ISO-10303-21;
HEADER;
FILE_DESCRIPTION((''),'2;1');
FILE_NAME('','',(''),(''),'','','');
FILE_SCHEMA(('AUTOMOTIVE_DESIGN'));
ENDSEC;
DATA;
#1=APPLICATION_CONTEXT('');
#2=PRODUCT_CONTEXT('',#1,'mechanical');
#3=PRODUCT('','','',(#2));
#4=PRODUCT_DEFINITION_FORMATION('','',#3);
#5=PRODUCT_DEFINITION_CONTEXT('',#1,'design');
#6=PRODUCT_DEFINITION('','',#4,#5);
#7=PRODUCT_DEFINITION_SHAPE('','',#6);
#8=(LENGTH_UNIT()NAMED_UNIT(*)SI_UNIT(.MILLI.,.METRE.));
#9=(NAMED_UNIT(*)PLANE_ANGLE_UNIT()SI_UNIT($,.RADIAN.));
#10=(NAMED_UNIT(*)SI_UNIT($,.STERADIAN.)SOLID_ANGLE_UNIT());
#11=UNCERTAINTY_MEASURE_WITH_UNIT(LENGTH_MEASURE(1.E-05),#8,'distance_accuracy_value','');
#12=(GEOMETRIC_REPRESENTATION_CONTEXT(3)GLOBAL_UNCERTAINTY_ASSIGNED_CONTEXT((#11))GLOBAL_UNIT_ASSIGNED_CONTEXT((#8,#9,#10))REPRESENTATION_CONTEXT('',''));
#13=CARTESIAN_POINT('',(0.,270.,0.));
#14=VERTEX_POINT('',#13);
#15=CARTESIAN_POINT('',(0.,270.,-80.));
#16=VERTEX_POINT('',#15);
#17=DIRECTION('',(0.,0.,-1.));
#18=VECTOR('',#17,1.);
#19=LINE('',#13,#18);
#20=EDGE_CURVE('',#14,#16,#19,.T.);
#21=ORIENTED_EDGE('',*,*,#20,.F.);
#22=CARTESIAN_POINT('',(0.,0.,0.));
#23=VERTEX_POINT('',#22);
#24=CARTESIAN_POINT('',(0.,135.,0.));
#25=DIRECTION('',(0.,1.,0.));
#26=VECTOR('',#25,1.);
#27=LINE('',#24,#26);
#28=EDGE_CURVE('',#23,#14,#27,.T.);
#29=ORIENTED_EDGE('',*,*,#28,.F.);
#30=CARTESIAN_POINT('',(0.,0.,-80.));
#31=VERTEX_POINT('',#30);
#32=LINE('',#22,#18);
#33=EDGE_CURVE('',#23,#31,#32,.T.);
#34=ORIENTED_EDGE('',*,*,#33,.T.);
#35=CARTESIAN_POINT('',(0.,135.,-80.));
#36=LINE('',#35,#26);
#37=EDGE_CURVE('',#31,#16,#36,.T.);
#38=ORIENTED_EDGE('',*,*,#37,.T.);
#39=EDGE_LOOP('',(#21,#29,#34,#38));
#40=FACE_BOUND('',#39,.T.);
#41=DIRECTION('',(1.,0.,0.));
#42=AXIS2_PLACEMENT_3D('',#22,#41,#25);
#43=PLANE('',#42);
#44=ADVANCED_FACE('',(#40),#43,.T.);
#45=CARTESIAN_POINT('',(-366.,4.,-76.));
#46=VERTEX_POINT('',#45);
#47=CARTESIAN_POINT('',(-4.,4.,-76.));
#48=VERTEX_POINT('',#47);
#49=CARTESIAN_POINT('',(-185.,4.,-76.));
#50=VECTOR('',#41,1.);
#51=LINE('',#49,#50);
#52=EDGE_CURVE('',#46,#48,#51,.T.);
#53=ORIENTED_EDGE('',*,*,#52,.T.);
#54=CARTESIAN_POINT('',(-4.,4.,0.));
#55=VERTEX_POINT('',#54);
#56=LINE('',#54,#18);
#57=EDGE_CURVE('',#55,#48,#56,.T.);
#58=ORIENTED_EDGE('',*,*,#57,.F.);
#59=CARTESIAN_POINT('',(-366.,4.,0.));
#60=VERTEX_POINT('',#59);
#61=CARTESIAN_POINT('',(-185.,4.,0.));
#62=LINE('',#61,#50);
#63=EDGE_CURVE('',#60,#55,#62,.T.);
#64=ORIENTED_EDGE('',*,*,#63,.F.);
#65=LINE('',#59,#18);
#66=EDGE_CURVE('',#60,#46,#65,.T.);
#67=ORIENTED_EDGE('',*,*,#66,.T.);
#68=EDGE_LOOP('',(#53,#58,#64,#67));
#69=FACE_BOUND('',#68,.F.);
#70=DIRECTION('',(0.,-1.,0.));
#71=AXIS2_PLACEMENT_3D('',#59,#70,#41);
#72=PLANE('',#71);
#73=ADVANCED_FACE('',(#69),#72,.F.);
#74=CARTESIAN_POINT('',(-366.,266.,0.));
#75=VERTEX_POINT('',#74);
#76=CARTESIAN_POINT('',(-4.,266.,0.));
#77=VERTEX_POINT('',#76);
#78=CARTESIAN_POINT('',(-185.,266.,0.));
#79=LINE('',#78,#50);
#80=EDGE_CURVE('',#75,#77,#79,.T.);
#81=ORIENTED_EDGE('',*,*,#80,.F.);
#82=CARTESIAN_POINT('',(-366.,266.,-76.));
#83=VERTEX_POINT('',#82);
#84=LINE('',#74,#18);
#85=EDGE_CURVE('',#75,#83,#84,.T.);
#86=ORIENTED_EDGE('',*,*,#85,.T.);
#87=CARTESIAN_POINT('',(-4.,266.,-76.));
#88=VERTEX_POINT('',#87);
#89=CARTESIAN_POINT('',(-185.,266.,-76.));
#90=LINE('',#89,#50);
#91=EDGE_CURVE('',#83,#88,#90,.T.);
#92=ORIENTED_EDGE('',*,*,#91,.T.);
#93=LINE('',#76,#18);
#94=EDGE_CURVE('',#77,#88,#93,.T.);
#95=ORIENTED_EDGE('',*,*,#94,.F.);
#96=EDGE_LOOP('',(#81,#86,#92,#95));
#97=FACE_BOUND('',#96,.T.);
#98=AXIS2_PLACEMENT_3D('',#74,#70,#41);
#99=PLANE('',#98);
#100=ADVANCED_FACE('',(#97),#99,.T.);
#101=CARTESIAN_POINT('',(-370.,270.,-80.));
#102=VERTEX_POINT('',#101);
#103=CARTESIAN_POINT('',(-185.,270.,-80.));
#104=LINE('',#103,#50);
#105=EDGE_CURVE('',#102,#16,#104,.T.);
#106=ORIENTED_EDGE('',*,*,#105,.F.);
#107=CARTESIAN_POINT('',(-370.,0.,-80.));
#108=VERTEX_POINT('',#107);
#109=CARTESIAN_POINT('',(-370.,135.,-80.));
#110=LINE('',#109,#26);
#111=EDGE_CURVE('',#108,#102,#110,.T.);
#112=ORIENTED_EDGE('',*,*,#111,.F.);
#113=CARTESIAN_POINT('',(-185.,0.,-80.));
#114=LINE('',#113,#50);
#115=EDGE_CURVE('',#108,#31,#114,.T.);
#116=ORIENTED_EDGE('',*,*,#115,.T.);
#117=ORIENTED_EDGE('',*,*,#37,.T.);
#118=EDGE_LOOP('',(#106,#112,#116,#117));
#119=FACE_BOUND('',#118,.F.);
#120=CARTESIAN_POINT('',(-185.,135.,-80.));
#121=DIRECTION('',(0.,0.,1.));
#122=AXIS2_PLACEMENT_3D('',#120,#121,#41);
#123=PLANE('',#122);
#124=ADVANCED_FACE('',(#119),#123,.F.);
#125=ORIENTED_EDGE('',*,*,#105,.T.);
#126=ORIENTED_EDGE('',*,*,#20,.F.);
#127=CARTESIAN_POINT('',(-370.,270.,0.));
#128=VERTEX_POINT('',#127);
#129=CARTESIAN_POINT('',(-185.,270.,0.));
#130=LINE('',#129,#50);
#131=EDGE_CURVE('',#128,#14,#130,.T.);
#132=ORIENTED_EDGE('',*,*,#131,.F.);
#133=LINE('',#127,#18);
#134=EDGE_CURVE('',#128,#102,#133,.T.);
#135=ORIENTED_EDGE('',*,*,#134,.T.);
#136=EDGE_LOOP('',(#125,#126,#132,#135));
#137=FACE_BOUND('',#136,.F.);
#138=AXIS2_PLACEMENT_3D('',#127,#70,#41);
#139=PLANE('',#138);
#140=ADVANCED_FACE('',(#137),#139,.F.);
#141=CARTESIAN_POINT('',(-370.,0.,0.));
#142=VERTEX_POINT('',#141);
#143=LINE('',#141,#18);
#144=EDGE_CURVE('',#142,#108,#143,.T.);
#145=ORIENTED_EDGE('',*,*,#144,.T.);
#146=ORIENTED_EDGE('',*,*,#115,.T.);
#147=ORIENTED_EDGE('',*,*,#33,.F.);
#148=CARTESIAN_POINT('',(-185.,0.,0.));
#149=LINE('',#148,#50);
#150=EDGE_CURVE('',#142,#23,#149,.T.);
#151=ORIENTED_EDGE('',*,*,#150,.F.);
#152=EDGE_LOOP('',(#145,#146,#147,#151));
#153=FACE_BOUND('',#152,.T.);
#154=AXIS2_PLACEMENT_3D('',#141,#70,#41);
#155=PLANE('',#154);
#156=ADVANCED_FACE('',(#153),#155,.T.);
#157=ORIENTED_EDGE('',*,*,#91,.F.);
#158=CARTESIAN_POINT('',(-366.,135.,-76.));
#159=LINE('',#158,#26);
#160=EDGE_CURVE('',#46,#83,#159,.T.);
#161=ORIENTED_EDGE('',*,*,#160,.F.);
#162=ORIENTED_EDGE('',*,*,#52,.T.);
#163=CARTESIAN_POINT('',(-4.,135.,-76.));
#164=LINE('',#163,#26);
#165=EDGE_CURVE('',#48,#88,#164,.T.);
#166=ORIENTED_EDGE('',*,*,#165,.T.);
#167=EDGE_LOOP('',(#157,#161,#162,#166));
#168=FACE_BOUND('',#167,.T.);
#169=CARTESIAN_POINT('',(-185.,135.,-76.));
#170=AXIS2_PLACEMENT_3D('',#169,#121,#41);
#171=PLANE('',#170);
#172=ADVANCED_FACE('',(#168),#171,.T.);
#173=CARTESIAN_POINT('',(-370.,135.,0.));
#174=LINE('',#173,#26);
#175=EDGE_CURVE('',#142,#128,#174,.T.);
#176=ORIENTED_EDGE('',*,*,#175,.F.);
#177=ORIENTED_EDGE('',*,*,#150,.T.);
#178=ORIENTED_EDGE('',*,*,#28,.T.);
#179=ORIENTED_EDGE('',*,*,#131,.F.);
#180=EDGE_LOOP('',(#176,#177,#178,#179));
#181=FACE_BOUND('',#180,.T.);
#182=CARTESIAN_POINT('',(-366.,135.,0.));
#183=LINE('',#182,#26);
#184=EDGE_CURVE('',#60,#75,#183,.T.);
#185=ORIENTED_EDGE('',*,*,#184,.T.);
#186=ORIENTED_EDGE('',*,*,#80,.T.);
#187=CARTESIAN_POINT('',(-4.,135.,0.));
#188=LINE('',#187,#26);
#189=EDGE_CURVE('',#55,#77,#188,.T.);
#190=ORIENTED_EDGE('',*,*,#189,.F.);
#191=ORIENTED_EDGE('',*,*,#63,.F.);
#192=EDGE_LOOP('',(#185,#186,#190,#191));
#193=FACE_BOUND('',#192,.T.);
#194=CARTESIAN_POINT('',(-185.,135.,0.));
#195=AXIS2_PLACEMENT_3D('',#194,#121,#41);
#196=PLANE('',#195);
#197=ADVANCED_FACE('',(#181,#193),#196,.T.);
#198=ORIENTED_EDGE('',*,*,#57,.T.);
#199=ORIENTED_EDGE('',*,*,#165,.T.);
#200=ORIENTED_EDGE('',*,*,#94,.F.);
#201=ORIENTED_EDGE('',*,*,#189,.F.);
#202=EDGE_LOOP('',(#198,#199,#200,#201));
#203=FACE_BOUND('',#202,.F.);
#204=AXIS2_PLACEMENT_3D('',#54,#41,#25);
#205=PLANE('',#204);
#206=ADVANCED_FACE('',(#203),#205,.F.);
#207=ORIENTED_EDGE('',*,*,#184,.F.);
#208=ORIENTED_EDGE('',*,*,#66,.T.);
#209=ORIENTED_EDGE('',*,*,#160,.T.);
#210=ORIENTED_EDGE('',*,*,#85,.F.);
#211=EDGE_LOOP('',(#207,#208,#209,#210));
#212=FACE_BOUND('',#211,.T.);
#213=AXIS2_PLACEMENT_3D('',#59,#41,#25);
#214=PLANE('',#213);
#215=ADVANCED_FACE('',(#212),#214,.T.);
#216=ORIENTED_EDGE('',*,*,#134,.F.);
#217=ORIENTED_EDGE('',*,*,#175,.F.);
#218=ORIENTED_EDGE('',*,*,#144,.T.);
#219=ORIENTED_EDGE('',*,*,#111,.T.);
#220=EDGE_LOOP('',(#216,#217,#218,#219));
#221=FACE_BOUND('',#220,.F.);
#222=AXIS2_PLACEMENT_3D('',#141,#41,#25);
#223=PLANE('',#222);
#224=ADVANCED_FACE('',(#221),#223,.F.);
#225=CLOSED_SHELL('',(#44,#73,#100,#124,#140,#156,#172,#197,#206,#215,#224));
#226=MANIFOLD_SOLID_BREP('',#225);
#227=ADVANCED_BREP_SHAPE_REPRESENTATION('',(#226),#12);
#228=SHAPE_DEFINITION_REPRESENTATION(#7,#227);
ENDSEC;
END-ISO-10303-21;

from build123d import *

# Parameters (mm, degrees)
F0_W     = 370
F0_H     = 270
F1_DEPTH = 80
F2_W     = 362
F2_H     = 262
F3_DEPTH = 76


with BuildPart() as f1:
    # F0 (on Top) → F1 (new body)
    with BuildSketch(Plane.XY):
        with Locations((-185, 135)):
            Rectangle(F0_W, F0_H)
    extrude(amount=-F1_DEPTH)

    # F2 (on face) → F3 (cut)
    with BuildSketch(Plane.XY):
        with Locations((-185, 135)):
            Rectangle(F2_W, F2_H)
    extrude(amount=-F3_DEPTH, mode=Mode.SUBTRACT)


solid = f1.part
